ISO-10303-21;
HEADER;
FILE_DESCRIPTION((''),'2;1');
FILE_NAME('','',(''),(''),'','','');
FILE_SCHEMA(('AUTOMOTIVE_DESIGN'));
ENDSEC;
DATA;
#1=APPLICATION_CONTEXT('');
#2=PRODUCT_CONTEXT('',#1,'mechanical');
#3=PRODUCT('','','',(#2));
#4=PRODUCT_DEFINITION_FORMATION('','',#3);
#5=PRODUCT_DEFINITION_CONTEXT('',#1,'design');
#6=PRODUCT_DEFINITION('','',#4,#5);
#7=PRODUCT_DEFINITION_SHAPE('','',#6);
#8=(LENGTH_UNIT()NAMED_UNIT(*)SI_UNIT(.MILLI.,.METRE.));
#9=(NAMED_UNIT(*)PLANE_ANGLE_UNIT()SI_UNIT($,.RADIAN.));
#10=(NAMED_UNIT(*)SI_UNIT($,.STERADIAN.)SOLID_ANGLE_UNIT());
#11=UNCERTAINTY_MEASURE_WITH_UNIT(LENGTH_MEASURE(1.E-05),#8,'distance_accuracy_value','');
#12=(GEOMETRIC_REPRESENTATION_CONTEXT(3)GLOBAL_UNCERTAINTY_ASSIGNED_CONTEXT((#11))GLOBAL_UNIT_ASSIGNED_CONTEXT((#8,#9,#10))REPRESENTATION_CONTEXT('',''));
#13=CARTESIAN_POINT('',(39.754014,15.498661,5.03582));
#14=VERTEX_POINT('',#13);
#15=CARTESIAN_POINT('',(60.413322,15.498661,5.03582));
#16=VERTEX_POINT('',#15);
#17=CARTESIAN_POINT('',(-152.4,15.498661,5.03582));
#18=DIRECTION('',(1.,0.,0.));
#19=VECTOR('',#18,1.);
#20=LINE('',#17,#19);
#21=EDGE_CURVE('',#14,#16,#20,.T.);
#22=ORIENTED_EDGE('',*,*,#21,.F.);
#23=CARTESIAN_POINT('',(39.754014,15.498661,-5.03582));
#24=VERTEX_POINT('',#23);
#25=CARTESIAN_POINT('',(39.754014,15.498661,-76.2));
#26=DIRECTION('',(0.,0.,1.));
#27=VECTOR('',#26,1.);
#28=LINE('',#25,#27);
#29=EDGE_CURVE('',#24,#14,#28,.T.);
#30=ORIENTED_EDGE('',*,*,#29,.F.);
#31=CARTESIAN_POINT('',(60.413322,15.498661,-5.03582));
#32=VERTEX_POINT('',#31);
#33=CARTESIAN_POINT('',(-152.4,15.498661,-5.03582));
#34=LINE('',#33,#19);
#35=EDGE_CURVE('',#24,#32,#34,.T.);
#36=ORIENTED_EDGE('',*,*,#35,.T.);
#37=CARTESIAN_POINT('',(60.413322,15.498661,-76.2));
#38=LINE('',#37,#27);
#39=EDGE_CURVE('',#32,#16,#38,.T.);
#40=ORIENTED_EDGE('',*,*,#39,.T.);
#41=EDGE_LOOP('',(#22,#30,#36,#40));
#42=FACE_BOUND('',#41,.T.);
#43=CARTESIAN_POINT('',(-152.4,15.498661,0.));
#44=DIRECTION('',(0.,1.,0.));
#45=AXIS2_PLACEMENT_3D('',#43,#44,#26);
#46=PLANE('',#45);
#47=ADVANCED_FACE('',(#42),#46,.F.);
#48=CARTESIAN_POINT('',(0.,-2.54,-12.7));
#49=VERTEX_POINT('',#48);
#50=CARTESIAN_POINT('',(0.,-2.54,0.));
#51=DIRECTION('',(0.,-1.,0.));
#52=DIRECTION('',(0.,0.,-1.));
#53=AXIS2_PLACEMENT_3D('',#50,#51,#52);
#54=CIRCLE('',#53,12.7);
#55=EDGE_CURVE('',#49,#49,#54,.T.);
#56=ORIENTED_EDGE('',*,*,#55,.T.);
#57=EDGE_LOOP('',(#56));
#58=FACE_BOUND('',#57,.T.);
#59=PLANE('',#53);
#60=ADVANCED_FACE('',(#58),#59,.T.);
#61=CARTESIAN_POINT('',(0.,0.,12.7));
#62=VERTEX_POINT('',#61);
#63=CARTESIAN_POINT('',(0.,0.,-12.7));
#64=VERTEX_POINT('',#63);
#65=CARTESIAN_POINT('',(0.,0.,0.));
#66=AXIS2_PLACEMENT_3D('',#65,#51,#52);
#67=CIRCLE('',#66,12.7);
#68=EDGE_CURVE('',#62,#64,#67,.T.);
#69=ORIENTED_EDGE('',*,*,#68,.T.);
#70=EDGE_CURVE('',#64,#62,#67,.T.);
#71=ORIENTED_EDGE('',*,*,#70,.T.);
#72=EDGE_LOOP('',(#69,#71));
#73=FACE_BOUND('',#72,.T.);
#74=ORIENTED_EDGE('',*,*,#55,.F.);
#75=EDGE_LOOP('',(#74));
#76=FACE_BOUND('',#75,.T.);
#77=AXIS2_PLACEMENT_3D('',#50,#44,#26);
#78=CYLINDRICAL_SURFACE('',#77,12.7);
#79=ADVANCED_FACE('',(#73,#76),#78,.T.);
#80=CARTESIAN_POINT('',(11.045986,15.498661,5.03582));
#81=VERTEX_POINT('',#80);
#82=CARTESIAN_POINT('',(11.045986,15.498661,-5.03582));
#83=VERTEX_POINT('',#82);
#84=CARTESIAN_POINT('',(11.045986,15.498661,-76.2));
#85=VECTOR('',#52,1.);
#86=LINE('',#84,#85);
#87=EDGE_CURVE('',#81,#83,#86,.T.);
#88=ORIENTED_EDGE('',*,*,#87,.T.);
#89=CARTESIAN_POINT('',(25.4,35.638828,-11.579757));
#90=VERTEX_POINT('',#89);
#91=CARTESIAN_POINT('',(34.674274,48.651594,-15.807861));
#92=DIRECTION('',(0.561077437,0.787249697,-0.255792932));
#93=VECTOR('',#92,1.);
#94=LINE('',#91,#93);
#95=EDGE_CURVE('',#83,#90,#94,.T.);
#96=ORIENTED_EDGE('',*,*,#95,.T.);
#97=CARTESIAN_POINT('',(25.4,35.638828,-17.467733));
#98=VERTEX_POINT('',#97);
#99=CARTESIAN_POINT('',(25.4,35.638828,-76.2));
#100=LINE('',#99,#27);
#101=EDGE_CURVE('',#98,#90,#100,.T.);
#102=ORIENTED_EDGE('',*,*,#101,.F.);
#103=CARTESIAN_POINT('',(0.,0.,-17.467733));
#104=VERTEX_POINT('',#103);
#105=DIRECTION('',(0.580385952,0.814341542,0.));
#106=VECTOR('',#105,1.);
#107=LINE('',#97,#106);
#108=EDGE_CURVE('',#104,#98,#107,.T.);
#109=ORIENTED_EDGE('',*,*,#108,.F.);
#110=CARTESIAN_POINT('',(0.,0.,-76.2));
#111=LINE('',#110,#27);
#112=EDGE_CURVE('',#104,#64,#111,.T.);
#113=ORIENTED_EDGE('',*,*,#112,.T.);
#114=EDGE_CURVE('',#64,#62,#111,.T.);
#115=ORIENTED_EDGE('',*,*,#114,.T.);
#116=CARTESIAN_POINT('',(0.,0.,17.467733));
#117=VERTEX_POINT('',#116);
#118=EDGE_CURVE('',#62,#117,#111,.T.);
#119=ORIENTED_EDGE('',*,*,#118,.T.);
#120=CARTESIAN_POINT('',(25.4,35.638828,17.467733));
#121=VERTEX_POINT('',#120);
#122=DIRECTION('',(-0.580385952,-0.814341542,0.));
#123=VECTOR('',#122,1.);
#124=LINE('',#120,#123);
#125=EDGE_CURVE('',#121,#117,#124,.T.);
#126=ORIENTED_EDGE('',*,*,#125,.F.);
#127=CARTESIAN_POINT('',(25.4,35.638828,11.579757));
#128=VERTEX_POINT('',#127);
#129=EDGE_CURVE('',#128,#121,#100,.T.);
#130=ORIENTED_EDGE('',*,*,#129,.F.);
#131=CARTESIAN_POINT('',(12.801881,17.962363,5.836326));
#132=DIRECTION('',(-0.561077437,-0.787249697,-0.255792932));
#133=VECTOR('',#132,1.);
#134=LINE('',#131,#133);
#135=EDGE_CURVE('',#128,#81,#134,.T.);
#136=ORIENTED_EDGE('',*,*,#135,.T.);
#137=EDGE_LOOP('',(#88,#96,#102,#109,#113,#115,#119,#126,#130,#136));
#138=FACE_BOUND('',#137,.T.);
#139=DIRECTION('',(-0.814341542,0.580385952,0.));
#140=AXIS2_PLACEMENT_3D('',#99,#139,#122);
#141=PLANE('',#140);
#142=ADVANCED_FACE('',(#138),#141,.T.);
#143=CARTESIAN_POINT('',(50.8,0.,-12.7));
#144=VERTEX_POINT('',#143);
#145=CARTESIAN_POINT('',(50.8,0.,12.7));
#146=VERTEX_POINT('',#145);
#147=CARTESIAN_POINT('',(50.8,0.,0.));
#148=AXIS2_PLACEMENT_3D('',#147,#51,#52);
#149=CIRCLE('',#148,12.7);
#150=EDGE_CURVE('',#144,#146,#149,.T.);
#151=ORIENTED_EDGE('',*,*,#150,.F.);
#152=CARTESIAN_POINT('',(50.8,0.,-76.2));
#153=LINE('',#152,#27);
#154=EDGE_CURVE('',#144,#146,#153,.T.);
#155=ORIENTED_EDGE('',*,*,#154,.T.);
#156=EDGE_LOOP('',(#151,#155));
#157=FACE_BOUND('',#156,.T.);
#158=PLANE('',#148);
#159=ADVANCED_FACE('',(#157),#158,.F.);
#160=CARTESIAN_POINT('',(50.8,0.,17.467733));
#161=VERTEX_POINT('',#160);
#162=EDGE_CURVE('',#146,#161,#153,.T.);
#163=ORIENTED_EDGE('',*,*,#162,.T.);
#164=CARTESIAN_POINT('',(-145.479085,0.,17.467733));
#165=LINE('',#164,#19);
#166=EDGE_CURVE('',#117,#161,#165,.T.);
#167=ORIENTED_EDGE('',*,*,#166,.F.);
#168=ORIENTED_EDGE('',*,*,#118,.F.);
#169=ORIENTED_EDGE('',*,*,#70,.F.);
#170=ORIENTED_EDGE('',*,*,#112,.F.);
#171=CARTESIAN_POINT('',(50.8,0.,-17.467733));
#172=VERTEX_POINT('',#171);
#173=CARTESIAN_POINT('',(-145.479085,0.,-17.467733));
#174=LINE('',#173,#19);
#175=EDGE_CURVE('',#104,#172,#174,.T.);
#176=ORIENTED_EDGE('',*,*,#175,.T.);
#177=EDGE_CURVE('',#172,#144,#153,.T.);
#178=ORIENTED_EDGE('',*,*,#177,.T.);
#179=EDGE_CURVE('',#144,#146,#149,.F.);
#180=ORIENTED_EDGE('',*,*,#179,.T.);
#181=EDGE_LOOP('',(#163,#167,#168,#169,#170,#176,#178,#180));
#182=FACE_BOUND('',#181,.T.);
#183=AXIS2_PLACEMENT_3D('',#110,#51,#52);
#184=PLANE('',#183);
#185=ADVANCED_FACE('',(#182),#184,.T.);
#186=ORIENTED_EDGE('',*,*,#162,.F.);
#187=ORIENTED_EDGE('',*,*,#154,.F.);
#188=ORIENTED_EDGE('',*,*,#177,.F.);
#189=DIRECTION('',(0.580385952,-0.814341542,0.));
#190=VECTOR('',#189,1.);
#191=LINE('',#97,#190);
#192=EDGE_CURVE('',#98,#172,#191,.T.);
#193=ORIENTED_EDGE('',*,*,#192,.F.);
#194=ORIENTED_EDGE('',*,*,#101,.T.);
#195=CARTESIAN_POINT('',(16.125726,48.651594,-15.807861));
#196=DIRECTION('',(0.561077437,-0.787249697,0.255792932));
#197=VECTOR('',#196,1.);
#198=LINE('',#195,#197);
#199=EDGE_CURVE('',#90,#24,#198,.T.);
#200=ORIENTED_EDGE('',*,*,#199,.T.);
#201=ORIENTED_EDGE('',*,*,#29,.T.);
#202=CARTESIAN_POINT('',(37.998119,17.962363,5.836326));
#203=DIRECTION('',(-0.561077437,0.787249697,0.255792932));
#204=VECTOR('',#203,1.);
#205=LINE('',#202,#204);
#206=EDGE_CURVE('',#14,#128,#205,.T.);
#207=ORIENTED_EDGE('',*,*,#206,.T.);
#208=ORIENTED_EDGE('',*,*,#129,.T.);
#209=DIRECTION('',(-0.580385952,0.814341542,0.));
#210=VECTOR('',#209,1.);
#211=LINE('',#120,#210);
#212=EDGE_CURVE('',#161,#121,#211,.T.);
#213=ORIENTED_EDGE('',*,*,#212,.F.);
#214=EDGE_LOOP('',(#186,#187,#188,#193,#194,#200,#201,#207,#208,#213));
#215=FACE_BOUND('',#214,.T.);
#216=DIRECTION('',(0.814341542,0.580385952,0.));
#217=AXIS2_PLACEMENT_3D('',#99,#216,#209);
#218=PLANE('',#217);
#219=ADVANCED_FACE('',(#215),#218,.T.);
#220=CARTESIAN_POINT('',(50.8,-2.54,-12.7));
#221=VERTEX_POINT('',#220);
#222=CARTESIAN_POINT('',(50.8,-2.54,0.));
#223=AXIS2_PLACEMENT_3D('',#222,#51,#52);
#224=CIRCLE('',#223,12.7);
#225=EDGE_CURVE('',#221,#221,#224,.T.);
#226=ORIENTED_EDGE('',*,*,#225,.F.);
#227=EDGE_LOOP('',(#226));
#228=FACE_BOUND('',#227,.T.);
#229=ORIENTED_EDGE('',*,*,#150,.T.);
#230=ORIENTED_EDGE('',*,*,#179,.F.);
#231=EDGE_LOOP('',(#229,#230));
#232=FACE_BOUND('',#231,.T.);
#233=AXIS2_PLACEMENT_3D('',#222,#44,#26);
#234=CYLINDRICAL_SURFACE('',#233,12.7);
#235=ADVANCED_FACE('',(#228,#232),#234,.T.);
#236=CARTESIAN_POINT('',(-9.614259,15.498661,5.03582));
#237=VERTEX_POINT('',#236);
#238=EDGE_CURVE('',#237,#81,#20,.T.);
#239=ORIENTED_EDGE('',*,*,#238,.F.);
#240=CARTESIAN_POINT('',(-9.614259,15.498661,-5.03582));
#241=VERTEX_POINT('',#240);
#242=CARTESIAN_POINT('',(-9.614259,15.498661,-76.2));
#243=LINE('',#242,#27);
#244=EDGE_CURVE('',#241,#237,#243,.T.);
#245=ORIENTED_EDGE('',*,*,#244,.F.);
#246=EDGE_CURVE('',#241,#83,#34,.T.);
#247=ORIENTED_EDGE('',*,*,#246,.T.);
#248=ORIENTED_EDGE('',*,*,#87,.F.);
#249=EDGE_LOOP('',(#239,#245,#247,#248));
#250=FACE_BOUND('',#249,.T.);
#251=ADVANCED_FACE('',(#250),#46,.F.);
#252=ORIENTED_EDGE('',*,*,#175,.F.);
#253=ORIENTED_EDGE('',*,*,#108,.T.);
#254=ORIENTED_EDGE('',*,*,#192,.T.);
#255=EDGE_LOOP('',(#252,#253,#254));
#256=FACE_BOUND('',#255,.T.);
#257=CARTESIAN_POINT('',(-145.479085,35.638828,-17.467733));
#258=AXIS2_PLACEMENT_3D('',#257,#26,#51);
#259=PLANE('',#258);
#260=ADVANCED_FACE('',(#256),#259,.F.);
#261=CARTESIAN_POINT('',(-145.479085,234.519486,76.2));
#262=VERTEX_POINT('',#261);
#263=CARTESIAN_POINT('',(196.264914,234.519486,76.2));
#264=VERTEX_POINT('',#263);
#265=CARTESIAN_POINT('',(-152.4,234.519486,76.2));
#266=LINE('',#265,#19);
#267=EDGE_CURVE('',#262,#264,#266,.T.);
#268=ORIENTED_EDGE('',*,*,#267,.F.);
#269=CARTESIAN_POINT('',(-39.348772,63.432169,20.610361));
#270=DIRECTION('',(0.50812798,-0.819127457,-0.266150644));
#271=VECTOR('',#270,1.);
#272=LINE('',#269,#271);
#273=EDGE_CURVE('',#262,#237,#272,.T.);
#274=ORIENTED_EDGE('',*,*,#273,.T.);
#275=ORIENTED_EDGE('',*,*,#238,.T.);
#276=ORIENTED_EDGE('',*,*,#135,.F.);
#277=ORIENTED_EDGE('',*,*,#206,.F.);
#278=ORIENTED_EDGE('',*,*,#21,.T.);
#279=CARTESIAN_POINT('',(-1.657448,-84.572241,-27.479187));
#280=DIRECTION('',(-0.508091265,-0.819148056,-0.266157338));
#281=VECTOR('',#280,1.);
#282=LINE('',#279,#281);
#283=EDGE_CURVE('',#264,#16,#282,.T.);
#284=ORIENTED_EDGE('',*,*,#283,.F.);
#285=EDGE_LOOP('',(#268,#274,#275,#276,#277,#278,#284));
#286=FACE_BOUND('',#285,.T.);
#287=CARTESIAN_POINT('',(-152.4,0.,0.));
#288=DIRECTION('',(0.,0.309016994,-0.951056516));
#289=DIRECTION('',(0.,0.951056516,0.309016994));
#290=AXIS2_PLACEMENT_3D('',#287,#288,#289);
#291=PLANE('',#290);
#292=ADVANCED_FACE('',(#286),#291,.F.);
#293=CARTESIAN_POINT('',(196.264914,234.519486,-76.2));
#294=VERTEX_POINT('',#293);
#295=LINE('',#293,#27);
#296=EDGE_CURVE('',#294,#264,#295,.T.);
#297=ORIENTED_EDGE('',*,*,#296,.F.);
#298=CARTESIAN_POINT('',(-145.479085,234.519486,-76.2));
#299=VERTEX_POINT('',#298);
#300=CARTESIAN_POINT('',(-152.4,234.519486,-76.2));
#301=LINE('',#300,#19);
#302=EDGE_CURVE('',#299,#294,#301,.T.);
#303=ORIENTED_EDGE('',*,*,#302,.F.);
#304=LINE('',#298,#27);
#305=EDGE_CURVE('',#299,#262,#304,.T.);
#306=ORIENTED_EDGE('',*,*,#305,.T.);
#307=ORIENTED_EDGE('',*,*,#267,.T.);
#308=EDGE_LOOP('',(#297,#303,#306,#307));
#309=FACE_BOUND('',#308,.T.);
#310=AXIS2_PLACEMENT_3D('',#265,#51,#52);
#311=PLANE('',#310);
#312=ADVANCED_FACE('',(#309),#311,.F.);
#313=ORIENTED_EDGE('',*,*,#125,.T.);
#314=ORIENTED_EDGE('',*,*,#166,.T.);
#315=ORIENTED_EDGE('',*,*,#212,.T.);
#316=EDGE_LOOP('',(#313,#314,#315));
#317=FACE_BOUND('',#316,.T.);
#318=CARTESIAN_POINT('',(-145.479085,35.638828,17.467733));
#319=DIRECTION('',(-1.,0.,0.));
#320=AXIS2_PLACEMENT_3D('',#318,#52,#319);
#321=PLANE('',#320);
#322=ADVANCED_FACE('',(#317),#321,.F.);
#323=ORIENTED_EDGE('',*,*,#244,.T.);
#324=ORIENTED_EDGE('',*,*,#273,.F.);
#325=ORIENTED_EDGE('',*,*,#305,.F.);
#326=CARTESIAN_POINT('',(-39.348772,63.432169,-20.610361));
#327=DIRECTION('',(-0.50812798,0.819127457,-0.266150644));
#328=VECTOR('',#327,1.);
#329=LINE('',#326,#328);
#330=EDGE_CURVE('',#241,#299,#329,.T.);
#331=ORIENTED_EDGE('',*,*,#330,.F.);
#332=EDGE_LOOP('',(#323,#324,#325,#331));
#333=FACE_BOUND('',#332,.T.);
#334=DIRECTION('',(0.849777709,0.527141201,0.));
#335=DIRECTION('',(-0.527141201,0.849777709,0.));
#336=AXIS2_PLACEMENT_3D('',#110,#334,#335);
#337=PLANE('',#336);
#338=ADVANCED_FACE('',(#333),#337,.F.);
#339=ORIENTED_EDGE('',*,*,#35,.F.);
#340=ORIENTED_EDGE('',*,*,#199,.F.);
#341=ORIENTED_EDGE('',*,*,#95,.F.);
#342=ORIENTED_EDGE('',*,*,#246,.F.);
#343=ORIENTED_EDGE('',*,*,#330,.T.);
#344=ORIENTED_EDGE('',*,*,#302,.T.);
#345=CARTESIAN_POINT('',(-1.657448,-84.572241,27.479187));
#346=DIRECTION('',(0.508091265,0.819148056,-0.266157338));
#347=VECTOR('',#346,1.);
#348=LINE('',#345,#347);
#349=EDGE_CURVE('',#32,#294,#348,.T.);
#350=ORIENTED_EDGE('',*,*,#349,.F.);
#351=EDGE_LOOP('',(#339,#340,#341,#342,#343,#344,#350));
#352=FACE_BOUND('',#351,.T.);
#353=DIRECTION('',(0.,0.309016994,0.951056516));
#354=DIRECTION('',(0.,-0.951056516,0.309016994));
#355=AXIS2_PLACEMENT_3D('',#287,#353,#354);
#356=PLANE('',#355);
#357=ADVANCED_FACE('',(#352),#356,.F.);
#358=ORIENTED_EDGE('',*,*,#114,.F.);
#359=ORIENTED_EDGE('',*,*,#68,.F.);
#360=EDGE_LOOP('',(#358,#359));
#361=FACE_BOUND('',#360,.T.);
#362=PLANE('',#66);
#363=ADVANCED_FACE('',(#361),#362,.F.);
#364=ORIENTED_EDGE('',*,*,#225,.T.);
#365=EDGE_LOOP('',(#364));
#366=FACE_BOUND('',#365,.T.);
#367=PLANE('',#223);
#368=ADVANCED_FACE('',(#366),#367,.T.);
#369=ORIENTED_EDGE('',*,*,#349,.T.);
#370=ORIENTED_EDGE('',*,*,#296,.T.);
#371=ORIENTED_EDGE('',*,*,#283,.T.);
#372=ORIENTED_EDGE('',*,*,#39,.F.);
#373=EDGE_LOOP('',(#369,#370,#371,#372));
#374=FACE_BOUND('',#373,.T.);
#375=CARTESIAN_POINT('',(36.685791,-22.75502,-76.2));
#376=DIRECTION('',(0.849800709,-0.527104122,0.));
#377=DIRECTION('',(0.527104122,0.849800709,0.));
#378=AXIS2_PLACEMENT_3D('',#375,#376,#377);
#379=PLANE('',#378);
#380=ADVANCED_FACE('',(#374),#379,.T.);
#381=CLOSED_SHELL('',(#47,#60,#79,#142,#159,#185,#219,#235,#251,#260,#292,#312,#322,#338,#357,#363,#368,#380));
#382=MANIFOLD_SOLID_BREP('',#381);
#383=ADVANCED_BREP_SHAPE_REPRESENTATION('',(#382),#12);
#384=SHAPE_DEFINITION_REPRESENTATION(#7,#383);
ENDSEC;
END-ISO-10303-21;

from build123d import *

# Parameters (mm, degrees)
BOSS_EXTRUDE1_DEPTH      = 76.2
BOSS_EXTRUDE6_DEPTH      = 203.2
BOSS_EXTRUDE6_DEPTH_BACK = 152.4
CUT_EXTRUDE1_DEPTH       = 397.760683536
SKETCH9_W                = 152.4
SKETCH9_H                = 70.280514467
CUT_EXTRUDE2_DEPTH       = 475.511158984
SKETCH10_R               = 12.7
BOSS_EXTRUDE7_DEPTH      = 2.54
SKETCH11_W               = 58.732266579
SKETCH11_H               = 35.638828091
CUT_EXTRUDE3_DEPTH       = 316.168697926


with BuildPart() as part:
    # Sketch1 → Boss-Extrude1 (new, symmetric)
    with BuildSketch(Plane.XY):
        Polygon((0, 0), (50.8, 0), (25.4, 35.638828091), align=None)
    extrude(amount=BOSS_EXTRUDE1_DEPTH, both=True)

    # Sketch7 → Boss-Extrude6 (add, two sides: drawn at the far end of the back side and taken through both)
    with BuildSketch(Plane(origin=(0, 0, 0), x_dir=(0, 0, -1), z_dir=(1, 0, 0)).offset(-BOSS_EXTRUDE6_DEPTH_BACK)):
        Polygon((76.2, 234.519485533), (76.2, 304.8), (-76.2, 304.8), (-76.2, 234.519485533), (-5.035820147, 15.498660762), (5.035820147, 15.498660762), align=None)
    extrude(amount=BOSS_EXTRUDE6_DEPTH + BOSS_EXTRUDE6_DEPTH_BACK)

    # Sketch8 → Cut-Extrude1 (cut, through all)
    with BuildSketch(Plane.XY.offset(76.2)):
        Polygon((-145.479084616, 234.519485533), (-152.4, 234.519485533), (-152.4, 15.498660762), (-9.614258599, 15.498660762), align=None)
        Polygon((60.413322139, 15.498660762), (196.264914484, 234.519485533), (203.2, 234.519485533), (203.2, 15.498660762), align=None)
    extrude(amount=-CUT_EXTRUDE1_DEPTH, mode=Mode.SUBTRACT)

    # Sketch9 → Cut-Extrude2 (cut, through all)
    with BuildSketch(Plane(origin=(203.2, 0, 0), x_dir=(0, 0, -1), z_dir=(1, 0, 0))):
        with Locations((0, 269.659742767)):
            Rectangle(SKETCH9_W, SKETCH9_H)
    extrude(amount=-CUT_EXTRUDE2_DEPTH, mode=Mode.SUBTRACT)

    # Sketch10 → Boss-Extrude7 (add)
    with BuildSketch(Plane(origin=(0, 0, 0), x_dir=(-1, 0, 0), z_dir=(0, -1, 0))):
        with Locations(Location((0, 0, 0), (0, 0, 90))):
            Circle(SKETCH10_R)
        with Locations(Location((-50.8, 0, 0), (0, 0, 90))):
            Circle(SKETCH10_R)
    extrude(amount=BOSS_EXTRUDE7_DEPTH)

    # Sketch11 → Cut-Extrude3 (cut, through all)
    with BuildSketch(Plane(origin=(50.8, 0, 0), x_dir=(0, 0, -1), z_dir=(1, 0, 0))):
        with Locations((-46.833866711, 17.819414046)):
            Rectangle(SKETCH11_W, SKETCH11_H)
        with Locations((46.833866711, 17.819414046)):
            Rectangle(SKETCH11_W, SKETCH11_H)
    extrude(amount=-CUT_EXTRUDE3_DEPTH, mode=Mode.SUBTRACT)


solid = part.part
